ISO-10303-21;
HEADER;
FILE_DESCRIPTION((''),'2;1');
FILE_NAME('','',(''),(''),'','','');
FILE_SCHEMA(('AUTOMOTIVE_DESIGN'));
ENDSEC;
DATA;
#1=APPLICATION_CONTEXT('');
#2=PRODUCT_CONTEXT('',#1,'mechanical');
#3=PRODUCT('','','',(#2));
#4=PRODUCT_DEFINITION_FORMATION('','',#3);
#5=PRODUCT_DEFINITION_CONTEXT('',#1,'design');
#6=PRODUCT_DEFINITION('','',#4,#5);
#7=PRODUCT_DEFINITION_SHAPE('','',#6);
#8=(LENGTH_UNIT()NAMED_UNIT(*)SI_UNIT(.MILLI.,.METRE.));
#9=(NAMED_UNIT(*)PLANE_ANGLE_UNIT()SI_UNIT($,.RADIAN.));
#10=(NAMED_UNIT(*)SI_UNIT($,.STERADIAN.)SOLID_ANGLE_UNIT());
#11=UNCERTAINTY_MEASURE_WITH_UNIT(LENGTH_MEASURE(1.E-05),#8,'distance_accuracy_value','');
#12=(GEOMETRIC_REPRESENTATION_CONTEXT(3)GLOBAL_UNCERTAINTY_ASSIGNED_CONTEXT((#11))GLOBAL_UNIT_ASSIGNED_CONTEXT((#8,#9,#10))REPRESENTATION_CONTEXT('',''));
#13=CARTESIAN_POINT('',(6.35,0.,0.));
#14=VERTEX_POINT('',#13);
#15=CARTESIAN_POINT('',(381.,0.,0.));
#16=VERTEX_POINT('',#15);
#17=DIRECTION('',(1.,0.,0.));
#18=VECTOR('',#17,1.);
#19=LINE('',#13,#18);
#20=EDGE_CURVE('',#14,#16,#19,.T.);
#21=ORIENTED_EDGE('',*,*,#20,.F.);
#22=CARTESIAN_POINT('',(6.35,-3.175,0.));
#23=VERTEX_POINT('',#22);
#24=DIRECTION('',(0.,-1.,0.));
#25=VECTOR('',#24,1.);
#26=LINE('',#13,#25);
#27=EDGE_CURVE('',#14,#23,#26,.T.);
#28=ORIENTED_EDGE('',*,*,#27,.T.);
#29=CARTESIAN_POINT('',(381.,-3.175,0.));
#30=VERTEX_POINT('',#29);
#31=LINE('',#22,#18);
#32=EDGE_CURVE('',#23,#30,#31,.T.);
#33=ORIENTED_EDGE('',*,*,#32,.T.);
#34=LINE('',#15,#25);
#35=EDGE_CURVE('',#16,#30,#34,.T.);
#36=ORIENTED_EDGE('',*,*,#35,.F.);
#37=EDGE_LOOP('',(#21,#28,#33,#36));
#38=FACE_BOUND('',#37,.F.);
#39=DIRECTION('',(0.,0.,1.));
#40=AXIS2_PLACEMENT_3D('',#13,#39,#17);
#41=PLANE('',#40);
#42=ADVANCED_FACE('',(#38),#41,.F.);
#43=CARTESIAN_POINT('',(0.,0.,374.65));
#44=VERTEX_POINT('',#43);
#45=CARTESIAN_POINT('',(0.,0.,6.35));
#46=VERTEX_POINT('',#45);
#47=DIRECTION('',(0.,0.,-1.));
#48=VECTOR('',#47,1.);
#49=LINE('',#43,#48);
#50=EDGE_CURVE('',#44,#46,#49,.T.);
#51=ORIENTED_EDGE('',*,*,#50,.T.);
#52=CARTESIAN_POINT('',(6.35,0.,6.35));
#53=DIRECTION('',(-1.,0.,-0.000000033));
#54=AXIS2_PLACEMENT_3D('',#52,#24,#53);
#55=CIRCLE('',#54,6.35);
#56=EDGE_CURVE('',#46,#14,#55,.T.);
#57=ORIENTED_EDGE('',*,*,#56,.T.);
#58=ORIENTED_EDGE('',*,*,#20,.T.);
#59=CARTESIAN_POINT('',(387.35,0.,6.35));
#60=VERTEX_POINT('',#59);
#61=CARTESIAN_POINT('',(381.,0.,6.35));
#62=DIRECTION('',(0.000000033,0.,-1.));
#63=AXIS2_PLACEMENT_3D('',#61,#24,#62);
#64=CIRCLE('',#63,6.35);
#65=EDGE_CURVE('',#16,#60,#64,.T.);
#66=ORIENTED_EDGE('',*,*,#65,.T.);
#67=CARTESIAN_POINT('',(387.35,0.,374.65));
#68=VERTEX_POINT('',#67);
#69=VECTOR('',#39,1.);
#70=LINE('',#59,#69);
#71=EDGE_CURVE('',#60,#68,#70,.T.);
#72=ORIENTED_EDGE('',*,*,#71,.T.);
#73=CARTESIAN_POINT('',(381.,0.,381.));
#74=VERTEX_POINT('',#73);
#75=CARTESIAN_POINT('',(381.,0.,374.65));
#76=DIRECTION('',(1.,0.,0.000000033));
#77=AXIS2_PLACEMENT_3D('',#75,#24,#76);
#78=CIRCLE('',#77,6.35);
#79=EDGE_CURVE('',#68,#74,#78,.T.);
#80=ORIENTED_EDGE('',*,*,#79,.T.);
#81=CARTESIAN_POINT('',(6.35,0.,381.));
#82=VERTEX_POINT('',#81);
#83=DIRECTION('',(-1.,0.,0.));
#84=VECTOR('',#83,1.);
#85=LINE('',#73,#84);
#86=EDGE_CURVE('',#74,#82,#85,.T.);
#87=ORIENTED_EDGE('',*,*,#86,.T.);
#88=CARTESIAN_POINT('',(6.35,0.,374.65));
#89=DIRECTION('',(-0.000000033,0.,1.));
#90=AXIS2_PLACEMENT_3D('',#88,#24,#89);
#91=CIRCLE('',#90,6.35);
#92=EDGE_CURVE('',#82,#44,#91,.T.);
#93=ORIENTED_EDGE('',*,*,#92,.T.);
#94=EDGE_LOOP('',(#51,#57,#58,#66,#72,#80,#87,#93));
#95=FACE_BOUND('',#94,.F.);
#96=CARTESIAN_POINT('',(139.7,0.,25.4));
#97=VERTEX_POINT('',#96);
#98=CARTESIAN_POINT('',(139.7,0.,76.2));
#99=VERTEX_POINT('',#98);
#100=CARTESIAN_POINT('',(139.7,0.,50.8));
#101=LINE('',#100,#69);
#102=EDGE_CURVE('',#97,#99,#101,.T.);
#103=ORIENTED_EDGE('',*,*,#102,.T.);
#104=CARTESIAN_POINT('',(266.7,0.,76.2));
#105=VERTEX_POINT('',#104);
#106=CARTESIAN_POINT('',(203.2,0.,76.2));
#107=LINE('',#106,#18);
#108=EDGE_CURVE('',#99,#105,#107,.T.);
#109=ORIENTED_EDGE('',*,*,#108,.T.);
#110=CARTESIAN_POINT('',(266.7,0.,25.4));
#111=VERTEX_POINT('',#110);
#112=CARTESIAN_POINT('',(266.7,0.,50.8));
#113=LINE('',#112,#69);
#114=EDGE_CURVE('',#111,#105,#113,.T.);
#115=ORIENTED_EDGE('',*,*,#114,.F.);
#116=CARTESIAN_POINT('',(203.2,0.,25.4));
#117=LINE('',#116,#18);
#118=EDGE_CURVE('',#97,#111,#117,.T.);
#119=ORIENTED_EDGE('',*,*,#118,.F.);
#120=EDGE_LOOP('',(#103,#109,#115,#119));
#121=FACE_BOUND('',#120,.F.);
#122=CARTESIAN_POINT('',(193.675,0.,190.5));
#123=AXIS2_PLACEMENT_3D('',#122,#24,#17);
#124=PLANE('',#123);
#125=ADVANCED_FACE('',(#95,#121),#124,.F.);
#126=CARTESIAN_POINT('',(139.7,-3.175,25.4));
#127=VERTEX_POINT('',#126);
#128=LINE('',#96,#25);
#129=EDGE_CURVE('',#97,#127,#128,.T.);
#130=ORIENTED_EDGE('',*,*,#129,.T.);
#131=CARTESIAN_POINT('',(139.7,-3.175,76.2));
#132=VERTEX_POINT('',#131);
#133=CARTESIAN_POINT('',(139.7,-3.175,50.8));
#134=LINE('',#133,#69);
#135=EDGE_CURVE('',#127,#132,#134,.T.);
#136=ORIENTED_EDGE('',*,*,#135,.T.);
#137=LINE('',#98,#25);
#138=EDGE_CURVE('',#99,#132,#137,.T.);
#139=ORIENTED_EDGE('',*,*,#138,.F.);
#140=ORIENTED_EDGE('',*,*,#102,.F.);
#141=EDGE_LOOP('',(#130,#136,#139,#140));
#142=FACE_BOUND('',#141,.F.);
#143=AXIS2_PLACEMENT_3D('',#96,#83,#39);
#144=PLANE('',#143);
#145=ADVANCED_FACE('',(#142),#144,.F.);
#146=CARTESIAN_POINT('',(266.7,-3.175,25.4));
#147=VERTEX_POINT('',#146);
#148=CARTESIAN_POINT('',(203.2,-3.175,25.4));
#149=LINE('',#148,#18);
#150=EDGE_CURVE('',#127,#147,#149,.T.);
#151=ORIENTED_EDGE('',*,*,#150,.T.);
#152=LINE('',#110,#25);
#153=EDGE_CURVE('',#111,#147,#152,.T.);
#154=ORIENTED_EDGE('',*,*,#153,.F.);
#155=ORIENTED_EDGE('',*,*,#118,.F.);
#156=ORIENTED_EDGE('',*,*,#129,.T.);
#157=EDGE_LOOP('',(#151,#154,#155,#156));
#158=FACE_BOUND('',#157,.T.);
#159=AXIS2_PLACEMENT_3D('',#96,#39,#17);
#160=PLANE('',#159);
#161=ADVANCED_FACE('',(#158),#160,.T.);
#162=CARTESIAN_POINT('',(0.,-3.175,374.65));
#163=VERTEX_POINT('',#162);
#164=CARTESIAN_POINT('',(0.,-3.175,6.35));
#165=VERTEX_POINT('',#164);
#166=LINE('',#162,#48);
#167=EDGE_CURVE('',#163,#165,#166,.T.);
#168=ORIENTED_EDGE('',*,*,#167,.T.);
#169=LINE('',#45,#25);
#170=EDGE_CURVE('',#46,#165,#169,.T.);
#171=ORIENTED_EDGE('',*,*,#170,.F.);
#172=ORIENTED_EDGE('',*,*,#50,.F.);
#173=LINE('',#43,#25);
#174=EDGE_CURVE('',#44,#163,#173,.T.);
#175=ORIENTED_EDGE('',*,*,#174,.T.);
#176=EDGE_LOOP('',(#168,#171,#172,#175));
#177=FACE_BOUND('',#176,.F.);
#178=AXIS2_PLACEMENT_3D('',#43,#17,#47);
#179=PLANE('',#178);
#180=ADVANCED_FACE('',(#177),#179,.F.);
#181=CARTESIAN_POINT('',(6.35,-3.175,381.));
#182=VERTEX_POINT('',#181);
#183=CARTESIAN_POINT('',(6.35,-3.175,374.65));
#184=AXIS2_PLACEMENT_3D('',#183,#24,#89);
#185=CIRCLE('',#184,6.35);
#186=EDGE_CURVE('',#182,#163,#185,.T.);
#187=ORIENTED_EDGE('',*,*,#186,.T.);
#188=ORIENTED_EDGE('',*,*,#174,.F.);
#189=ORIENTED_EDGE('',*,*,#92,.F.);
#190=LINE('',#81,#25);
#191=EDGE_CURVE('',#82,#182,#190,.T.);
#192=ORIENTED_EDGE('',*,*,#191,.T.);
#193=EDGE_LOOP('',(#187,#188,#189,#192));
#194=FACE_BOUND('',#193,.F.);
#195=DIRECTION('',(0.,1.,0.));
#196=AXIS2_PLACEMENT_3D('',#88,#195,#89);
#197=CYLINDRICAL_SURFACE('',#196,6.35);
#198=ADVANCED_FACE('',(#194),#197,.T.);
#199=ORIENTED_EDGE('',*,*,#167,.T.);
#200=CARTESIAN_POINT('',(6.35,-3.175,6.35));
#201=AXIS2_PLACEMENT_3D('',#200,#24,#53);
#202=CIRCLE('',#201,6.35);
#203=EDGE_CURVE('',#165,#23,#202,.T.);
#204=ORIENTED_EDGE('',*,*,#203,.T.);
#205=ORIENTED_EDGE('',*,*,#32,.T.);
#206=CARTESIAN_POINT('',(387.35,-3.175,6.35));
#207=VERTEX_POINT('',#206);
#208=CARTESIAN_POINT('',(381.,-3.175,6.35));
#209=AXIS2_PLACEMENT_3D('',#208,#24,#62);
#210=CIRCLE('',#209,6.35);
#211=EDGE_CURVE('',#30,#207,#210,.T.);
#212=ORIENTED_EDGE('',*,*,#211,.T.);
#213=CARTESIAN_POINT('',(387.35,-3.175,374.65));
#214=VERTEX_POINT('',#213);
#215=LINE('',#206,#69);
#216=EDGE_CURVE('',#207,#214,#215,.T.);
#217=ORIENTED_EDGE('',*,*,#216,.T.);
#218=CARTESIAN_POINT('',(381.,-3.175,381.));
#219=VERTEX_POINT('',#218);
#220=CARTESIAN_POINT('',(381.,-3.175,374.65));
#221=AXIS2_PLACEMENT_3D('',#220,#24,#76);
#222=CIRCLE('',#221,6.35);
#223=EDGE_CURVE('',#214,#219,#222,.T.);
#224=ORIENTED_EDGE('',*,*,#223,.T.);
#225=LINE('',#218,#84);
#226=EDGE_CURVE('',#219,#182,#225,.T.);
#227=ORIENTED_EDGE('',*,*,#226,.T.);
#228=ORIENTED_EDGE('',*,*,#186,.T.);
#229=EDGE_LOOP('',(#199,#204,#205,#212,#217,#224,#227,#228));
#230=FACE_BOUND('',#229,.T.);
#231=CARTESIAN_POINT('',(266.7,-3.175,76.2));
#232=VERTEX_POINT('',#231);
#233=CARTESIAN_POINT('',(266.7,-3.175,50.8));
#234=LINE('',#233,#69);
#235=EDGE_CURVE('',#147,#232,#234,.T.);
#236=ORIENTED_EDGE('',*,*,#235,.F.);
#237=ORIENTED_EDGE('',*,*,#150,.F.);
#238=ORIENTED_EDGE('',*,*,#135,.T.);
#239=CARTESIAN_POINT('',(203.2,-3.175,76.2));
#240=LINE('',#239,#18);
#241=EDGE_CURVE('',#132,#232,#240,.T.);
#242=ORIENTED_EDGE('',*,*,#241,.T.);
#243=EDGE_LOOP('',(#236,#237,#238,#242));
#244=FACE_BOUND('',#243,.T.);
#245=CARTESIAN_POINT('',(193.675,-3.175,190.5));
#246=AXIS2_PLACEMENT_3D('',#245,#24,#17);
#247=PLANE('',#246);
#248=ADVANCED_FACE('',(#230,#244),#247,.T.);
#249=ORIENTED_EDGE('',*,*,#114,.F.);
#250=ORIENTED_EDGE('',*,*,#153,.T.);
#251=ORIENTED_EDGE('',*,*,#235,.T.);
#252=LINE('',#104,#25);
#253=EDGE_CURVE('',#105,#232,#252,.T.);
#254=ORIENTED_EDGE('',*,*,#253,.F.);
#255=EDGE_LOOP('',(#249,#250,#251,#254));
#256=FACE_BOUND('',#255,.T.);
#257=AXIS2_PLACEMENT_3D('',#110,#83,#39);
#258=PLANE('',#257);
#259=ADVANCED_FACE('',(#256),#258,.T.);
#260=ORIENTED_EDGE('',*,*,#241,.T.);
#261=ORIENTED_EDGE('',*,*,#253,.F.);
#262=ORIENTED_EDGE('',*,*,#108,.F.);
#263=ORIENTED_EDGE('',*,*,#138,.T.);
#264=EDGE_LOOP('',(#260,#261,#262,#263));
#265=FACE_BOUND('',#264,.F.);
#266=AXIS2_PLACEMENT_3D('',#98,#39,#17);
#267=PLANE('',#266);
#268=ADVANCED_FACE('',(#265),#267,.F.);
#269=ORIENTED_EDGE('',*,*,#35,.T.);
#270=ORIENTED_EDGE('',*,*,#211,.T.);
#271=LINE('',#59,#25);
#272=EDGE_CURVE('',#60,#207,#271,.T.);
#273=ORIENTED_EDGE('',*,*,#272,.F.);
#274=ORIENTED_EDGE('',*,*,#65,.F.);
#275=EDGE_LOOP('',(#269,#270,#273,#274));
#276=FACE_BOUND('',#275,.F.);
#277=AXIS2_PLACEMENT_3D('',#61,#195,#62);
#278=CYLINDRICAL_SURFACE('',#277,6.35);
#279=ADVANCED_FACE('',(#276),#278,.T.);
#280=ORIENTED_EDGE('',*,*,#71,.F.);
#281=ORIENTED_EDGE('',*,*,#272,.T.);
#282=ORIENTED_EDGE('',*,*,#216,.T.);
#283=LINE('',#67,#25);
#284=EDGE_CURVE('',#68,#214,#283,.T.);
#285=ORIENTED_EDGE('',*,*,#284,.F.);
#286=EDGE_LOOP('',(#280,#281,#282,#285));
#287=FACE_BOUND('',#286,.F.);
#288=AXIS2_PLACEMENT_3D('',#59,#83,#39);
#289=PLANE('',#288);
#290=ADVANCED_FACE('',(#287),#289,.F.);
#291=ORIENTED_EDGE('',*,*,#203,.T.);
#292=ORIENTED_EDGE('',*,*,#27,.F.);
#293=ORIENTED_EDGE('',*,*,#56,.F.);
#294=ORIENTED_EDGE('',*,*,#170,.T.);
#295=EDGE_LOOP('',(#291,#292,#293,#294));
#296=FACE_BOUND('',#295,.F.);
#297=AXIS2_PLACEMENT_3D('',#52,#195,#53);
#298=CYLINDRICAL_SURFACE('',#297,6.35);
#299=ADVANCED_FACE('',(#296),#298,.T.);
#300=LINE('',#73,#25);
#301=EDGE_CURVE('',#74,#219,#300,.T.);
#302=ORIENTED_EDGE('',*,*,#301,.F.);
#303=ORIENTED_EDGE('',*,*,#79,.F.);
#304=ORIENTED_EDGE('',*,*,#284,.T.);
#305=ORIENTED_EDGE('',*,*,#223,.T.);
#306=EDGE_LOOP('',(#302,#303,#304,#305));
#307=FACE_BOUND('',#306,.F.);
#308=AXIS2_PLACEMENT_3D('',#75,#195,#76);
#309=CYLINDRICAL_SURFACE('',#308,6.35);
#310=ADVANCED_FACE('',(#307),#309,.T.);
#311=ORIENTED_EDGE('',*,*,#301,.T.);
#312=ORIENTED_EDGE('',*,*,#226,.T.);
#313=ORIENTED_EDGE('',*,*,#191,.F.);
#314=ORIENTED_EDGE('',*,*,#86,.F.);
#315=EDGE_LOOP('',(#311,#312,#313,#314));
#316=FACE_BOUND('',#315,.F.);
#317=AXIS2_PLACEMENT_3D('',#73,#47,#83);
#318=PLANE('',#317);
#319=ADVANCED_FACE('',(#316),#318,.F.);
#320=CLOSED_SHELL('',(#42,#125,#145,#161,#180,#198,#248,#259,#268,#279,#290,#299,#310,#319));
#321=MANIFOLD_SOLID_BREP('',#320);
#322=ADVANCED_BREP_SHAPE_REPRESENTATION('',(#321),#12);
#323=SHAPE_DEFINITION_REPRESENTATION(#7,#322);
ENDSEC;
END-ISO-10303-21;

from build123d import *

# Parameters (mm, degrees)
F0_W     = 127
F0_H     = 50.8
F1_DEPTH = 3.175


with BuildPart() as f1:
    # F0 (on Front) → F1 (new body)
    with BuildSketch(Plane.XZ):
        with BuildLine():
            ThreePointArc((0, 6.35), (1.859872, 1.859872), (6.35, 0))
            Line((6.35, 0), (381, 0))
            ThreePointArc((381, 0), (385.490128, 1.859872), (387.35, 6.35))
            Line((387.35, 6.35), (387.35, 374.65))
            ThreePointArc((387.35, 374.65), (385.490128, 379.140128), (381, 381))
            Line((381, 381), (6.35, 381))
            ThreePointArc((6.35, 381), (1.859872, 379.140128), (0, 374.65))
            Line((0, 374.65), (0, 6.35))
        make_face()
        with Locations((203.2, 50.8)):
            Rectangle(F0_W, F0_H, mode=Mode.SUBTRACT)
    extrude(amount=F1_DEPTH)


solid = f1.part
